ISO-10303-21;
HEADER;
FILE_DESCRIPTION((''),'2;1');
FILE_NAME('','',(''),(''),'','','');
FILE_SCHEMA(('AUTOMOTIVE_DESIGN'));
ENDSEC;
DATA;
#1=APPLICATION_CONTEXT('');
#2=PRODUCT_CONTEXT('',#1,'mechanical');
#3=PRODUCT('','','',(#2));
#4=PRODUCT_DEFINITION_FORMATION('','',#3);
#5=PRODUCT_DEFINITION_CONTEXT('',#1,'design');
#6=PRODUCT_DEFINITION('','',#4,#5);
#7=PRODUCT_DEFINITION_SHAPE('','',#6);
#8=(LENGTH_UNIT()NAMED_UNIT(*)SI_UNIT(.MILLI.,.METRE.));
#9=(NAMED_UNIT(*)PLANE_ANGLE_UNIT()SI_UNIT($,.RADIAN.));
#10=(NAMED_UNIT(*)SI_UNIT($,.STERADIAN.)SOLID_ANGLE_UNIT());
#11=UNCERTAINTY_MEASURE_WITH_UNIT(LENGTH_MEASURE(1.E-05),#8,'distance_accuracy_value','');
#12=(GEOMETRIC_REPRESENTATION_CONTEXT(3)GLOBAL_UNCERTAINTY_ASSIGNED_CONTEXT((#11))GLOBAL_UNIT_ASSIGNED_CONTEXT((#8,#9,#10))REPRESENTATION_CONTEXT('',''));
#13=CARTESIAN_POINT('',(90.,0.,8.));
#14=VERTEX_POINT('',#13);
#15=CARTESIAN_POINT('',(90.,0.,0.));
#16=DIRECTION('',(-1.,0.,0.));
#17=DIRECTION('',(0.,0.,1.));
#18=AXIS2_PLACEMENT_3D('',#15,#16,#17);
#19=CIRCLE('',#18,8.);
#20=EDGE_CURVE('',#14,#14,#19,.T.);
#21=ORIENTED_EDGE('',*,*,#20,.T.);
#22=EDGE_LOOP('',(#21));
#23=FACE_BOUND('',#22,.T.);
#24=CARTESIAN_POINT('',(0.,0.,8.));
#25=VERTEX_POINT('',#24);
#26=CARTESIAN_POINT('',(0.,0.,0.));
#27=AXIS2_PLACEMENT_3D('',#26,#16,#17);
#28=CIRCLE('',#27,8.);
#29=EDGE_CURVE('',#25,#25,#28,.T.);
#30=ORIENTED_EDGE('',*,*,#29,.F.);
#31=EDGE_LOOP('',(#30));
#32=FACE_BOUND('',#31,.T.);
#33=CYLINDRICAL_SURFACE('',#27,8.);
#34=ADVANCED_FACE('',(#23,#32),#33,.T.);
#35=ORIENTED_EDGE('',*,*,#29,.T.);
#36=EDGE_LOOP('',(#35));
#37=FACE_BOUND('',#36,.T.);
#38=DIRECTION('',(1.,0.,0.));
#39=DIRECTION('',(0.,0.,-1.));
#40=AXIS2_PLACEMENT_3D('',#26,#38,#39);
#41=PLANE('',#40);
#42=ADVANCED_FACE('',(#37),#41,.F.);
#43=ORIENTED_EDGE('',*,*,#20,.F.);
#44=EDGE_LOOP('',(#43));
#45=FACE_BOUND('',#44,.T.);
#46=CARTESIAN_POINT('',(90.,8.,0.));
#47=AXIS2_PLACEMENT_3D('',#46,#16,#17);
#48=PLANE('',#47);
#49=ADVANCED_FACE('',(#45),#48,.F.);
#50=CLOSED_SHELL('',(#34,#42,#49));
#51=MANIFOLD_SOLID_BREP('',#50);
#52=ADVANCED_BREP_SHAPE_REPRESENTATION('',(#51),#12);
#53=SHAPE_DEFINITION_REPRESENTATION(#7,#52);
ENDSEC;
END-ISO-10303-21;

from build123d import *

# Parameters (mm, degrees)
SKETCH_1_W = 90
SKETCH_1_H = 8


with BuildPart() as part:
    # 草图1 → 旋转1 (revolve)
    with BuildSketch(Plane.XY, mode=Mode.PRIVATE) as revolve_1_sk:
        with Locations((45, 4)):
            Rectangle(SKETCH_1_W, SKETCH_1_H)
    revolve(revolve_1_sk.sketch.rotate(Axis((0, 0, 0), (1, 0, 0)), 90), axis=Axis((0, 0, 0), (1, 0, 0)))


solid = part.part
